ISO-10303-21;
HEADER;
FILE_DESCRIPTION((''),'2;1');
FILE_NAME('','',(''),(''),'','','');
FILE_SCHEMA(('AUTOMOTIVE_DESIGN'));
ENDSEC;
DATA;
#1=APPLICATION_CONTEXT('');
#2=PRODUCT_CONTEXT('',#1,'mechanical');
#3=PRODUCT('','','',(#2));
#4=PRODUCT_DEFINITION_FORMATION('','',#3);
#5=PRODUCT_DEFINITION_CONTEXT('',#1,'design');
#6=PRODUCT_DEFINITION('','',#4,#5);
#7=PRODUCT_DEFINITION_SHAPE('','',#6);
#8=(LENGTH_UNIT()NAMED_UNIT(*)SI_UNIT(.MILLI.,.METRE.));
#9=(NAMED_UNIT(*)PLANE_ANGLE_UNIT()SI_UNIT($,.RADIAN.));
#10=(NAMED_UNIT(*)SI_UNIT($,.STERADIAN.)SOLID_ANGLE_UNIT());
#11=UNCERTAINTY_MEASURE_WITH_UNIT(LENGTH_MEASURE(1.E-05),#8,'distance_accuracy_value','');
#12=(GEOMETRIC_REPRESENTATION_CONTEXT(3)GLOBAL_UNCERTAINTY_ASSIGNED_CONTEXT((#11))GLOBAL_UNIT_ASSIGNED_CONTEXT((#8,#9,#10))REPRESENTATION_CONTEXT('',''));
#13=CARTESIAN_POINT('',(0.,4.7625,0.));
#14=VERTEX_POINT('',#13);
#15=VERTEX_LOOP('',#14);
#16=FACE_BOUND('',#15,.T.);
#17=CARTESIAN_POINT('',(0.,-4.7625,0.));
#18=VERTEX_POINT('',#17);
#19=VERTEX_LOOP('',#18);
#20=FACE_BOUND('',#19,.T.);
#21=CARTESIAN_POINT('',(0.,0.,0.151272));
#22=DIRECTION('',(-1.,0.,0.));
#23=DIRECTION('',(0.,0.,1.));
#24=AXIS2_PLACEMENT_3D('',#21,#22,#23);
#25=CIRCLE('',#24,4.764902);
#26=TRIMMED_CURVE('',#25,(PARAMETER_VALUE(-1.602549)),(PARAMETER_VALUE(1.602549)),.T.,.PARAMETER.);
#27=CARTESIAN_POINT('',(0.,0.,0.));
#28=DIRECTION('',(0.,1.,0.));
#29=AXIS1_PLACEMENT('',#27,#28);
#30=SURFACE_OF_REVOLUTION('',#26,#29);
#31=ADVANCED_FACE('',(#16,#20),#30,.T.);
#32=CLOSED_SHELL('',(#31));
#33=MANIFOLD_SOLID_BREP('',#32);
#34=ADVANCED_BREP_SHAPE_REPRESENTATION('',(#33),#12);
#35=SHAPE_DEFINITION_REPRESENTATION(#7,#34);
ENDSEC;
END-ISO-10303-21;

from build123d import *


with BuildPart() as part:
    # Sketch1 → Revolve1 (revolve)
    with BuildSketch(Plane.XY):
        with BuildLine():
            Line((0, 4.7625), (0, -4.7625))
            ThreePointArc((0, -4.7625), (4.916174072, 0), (0, 4.7625))
        make_face()
    revolve(axis=Axis((0, 4.7625, 0), (0, -1, 0)))


solid = part.part
